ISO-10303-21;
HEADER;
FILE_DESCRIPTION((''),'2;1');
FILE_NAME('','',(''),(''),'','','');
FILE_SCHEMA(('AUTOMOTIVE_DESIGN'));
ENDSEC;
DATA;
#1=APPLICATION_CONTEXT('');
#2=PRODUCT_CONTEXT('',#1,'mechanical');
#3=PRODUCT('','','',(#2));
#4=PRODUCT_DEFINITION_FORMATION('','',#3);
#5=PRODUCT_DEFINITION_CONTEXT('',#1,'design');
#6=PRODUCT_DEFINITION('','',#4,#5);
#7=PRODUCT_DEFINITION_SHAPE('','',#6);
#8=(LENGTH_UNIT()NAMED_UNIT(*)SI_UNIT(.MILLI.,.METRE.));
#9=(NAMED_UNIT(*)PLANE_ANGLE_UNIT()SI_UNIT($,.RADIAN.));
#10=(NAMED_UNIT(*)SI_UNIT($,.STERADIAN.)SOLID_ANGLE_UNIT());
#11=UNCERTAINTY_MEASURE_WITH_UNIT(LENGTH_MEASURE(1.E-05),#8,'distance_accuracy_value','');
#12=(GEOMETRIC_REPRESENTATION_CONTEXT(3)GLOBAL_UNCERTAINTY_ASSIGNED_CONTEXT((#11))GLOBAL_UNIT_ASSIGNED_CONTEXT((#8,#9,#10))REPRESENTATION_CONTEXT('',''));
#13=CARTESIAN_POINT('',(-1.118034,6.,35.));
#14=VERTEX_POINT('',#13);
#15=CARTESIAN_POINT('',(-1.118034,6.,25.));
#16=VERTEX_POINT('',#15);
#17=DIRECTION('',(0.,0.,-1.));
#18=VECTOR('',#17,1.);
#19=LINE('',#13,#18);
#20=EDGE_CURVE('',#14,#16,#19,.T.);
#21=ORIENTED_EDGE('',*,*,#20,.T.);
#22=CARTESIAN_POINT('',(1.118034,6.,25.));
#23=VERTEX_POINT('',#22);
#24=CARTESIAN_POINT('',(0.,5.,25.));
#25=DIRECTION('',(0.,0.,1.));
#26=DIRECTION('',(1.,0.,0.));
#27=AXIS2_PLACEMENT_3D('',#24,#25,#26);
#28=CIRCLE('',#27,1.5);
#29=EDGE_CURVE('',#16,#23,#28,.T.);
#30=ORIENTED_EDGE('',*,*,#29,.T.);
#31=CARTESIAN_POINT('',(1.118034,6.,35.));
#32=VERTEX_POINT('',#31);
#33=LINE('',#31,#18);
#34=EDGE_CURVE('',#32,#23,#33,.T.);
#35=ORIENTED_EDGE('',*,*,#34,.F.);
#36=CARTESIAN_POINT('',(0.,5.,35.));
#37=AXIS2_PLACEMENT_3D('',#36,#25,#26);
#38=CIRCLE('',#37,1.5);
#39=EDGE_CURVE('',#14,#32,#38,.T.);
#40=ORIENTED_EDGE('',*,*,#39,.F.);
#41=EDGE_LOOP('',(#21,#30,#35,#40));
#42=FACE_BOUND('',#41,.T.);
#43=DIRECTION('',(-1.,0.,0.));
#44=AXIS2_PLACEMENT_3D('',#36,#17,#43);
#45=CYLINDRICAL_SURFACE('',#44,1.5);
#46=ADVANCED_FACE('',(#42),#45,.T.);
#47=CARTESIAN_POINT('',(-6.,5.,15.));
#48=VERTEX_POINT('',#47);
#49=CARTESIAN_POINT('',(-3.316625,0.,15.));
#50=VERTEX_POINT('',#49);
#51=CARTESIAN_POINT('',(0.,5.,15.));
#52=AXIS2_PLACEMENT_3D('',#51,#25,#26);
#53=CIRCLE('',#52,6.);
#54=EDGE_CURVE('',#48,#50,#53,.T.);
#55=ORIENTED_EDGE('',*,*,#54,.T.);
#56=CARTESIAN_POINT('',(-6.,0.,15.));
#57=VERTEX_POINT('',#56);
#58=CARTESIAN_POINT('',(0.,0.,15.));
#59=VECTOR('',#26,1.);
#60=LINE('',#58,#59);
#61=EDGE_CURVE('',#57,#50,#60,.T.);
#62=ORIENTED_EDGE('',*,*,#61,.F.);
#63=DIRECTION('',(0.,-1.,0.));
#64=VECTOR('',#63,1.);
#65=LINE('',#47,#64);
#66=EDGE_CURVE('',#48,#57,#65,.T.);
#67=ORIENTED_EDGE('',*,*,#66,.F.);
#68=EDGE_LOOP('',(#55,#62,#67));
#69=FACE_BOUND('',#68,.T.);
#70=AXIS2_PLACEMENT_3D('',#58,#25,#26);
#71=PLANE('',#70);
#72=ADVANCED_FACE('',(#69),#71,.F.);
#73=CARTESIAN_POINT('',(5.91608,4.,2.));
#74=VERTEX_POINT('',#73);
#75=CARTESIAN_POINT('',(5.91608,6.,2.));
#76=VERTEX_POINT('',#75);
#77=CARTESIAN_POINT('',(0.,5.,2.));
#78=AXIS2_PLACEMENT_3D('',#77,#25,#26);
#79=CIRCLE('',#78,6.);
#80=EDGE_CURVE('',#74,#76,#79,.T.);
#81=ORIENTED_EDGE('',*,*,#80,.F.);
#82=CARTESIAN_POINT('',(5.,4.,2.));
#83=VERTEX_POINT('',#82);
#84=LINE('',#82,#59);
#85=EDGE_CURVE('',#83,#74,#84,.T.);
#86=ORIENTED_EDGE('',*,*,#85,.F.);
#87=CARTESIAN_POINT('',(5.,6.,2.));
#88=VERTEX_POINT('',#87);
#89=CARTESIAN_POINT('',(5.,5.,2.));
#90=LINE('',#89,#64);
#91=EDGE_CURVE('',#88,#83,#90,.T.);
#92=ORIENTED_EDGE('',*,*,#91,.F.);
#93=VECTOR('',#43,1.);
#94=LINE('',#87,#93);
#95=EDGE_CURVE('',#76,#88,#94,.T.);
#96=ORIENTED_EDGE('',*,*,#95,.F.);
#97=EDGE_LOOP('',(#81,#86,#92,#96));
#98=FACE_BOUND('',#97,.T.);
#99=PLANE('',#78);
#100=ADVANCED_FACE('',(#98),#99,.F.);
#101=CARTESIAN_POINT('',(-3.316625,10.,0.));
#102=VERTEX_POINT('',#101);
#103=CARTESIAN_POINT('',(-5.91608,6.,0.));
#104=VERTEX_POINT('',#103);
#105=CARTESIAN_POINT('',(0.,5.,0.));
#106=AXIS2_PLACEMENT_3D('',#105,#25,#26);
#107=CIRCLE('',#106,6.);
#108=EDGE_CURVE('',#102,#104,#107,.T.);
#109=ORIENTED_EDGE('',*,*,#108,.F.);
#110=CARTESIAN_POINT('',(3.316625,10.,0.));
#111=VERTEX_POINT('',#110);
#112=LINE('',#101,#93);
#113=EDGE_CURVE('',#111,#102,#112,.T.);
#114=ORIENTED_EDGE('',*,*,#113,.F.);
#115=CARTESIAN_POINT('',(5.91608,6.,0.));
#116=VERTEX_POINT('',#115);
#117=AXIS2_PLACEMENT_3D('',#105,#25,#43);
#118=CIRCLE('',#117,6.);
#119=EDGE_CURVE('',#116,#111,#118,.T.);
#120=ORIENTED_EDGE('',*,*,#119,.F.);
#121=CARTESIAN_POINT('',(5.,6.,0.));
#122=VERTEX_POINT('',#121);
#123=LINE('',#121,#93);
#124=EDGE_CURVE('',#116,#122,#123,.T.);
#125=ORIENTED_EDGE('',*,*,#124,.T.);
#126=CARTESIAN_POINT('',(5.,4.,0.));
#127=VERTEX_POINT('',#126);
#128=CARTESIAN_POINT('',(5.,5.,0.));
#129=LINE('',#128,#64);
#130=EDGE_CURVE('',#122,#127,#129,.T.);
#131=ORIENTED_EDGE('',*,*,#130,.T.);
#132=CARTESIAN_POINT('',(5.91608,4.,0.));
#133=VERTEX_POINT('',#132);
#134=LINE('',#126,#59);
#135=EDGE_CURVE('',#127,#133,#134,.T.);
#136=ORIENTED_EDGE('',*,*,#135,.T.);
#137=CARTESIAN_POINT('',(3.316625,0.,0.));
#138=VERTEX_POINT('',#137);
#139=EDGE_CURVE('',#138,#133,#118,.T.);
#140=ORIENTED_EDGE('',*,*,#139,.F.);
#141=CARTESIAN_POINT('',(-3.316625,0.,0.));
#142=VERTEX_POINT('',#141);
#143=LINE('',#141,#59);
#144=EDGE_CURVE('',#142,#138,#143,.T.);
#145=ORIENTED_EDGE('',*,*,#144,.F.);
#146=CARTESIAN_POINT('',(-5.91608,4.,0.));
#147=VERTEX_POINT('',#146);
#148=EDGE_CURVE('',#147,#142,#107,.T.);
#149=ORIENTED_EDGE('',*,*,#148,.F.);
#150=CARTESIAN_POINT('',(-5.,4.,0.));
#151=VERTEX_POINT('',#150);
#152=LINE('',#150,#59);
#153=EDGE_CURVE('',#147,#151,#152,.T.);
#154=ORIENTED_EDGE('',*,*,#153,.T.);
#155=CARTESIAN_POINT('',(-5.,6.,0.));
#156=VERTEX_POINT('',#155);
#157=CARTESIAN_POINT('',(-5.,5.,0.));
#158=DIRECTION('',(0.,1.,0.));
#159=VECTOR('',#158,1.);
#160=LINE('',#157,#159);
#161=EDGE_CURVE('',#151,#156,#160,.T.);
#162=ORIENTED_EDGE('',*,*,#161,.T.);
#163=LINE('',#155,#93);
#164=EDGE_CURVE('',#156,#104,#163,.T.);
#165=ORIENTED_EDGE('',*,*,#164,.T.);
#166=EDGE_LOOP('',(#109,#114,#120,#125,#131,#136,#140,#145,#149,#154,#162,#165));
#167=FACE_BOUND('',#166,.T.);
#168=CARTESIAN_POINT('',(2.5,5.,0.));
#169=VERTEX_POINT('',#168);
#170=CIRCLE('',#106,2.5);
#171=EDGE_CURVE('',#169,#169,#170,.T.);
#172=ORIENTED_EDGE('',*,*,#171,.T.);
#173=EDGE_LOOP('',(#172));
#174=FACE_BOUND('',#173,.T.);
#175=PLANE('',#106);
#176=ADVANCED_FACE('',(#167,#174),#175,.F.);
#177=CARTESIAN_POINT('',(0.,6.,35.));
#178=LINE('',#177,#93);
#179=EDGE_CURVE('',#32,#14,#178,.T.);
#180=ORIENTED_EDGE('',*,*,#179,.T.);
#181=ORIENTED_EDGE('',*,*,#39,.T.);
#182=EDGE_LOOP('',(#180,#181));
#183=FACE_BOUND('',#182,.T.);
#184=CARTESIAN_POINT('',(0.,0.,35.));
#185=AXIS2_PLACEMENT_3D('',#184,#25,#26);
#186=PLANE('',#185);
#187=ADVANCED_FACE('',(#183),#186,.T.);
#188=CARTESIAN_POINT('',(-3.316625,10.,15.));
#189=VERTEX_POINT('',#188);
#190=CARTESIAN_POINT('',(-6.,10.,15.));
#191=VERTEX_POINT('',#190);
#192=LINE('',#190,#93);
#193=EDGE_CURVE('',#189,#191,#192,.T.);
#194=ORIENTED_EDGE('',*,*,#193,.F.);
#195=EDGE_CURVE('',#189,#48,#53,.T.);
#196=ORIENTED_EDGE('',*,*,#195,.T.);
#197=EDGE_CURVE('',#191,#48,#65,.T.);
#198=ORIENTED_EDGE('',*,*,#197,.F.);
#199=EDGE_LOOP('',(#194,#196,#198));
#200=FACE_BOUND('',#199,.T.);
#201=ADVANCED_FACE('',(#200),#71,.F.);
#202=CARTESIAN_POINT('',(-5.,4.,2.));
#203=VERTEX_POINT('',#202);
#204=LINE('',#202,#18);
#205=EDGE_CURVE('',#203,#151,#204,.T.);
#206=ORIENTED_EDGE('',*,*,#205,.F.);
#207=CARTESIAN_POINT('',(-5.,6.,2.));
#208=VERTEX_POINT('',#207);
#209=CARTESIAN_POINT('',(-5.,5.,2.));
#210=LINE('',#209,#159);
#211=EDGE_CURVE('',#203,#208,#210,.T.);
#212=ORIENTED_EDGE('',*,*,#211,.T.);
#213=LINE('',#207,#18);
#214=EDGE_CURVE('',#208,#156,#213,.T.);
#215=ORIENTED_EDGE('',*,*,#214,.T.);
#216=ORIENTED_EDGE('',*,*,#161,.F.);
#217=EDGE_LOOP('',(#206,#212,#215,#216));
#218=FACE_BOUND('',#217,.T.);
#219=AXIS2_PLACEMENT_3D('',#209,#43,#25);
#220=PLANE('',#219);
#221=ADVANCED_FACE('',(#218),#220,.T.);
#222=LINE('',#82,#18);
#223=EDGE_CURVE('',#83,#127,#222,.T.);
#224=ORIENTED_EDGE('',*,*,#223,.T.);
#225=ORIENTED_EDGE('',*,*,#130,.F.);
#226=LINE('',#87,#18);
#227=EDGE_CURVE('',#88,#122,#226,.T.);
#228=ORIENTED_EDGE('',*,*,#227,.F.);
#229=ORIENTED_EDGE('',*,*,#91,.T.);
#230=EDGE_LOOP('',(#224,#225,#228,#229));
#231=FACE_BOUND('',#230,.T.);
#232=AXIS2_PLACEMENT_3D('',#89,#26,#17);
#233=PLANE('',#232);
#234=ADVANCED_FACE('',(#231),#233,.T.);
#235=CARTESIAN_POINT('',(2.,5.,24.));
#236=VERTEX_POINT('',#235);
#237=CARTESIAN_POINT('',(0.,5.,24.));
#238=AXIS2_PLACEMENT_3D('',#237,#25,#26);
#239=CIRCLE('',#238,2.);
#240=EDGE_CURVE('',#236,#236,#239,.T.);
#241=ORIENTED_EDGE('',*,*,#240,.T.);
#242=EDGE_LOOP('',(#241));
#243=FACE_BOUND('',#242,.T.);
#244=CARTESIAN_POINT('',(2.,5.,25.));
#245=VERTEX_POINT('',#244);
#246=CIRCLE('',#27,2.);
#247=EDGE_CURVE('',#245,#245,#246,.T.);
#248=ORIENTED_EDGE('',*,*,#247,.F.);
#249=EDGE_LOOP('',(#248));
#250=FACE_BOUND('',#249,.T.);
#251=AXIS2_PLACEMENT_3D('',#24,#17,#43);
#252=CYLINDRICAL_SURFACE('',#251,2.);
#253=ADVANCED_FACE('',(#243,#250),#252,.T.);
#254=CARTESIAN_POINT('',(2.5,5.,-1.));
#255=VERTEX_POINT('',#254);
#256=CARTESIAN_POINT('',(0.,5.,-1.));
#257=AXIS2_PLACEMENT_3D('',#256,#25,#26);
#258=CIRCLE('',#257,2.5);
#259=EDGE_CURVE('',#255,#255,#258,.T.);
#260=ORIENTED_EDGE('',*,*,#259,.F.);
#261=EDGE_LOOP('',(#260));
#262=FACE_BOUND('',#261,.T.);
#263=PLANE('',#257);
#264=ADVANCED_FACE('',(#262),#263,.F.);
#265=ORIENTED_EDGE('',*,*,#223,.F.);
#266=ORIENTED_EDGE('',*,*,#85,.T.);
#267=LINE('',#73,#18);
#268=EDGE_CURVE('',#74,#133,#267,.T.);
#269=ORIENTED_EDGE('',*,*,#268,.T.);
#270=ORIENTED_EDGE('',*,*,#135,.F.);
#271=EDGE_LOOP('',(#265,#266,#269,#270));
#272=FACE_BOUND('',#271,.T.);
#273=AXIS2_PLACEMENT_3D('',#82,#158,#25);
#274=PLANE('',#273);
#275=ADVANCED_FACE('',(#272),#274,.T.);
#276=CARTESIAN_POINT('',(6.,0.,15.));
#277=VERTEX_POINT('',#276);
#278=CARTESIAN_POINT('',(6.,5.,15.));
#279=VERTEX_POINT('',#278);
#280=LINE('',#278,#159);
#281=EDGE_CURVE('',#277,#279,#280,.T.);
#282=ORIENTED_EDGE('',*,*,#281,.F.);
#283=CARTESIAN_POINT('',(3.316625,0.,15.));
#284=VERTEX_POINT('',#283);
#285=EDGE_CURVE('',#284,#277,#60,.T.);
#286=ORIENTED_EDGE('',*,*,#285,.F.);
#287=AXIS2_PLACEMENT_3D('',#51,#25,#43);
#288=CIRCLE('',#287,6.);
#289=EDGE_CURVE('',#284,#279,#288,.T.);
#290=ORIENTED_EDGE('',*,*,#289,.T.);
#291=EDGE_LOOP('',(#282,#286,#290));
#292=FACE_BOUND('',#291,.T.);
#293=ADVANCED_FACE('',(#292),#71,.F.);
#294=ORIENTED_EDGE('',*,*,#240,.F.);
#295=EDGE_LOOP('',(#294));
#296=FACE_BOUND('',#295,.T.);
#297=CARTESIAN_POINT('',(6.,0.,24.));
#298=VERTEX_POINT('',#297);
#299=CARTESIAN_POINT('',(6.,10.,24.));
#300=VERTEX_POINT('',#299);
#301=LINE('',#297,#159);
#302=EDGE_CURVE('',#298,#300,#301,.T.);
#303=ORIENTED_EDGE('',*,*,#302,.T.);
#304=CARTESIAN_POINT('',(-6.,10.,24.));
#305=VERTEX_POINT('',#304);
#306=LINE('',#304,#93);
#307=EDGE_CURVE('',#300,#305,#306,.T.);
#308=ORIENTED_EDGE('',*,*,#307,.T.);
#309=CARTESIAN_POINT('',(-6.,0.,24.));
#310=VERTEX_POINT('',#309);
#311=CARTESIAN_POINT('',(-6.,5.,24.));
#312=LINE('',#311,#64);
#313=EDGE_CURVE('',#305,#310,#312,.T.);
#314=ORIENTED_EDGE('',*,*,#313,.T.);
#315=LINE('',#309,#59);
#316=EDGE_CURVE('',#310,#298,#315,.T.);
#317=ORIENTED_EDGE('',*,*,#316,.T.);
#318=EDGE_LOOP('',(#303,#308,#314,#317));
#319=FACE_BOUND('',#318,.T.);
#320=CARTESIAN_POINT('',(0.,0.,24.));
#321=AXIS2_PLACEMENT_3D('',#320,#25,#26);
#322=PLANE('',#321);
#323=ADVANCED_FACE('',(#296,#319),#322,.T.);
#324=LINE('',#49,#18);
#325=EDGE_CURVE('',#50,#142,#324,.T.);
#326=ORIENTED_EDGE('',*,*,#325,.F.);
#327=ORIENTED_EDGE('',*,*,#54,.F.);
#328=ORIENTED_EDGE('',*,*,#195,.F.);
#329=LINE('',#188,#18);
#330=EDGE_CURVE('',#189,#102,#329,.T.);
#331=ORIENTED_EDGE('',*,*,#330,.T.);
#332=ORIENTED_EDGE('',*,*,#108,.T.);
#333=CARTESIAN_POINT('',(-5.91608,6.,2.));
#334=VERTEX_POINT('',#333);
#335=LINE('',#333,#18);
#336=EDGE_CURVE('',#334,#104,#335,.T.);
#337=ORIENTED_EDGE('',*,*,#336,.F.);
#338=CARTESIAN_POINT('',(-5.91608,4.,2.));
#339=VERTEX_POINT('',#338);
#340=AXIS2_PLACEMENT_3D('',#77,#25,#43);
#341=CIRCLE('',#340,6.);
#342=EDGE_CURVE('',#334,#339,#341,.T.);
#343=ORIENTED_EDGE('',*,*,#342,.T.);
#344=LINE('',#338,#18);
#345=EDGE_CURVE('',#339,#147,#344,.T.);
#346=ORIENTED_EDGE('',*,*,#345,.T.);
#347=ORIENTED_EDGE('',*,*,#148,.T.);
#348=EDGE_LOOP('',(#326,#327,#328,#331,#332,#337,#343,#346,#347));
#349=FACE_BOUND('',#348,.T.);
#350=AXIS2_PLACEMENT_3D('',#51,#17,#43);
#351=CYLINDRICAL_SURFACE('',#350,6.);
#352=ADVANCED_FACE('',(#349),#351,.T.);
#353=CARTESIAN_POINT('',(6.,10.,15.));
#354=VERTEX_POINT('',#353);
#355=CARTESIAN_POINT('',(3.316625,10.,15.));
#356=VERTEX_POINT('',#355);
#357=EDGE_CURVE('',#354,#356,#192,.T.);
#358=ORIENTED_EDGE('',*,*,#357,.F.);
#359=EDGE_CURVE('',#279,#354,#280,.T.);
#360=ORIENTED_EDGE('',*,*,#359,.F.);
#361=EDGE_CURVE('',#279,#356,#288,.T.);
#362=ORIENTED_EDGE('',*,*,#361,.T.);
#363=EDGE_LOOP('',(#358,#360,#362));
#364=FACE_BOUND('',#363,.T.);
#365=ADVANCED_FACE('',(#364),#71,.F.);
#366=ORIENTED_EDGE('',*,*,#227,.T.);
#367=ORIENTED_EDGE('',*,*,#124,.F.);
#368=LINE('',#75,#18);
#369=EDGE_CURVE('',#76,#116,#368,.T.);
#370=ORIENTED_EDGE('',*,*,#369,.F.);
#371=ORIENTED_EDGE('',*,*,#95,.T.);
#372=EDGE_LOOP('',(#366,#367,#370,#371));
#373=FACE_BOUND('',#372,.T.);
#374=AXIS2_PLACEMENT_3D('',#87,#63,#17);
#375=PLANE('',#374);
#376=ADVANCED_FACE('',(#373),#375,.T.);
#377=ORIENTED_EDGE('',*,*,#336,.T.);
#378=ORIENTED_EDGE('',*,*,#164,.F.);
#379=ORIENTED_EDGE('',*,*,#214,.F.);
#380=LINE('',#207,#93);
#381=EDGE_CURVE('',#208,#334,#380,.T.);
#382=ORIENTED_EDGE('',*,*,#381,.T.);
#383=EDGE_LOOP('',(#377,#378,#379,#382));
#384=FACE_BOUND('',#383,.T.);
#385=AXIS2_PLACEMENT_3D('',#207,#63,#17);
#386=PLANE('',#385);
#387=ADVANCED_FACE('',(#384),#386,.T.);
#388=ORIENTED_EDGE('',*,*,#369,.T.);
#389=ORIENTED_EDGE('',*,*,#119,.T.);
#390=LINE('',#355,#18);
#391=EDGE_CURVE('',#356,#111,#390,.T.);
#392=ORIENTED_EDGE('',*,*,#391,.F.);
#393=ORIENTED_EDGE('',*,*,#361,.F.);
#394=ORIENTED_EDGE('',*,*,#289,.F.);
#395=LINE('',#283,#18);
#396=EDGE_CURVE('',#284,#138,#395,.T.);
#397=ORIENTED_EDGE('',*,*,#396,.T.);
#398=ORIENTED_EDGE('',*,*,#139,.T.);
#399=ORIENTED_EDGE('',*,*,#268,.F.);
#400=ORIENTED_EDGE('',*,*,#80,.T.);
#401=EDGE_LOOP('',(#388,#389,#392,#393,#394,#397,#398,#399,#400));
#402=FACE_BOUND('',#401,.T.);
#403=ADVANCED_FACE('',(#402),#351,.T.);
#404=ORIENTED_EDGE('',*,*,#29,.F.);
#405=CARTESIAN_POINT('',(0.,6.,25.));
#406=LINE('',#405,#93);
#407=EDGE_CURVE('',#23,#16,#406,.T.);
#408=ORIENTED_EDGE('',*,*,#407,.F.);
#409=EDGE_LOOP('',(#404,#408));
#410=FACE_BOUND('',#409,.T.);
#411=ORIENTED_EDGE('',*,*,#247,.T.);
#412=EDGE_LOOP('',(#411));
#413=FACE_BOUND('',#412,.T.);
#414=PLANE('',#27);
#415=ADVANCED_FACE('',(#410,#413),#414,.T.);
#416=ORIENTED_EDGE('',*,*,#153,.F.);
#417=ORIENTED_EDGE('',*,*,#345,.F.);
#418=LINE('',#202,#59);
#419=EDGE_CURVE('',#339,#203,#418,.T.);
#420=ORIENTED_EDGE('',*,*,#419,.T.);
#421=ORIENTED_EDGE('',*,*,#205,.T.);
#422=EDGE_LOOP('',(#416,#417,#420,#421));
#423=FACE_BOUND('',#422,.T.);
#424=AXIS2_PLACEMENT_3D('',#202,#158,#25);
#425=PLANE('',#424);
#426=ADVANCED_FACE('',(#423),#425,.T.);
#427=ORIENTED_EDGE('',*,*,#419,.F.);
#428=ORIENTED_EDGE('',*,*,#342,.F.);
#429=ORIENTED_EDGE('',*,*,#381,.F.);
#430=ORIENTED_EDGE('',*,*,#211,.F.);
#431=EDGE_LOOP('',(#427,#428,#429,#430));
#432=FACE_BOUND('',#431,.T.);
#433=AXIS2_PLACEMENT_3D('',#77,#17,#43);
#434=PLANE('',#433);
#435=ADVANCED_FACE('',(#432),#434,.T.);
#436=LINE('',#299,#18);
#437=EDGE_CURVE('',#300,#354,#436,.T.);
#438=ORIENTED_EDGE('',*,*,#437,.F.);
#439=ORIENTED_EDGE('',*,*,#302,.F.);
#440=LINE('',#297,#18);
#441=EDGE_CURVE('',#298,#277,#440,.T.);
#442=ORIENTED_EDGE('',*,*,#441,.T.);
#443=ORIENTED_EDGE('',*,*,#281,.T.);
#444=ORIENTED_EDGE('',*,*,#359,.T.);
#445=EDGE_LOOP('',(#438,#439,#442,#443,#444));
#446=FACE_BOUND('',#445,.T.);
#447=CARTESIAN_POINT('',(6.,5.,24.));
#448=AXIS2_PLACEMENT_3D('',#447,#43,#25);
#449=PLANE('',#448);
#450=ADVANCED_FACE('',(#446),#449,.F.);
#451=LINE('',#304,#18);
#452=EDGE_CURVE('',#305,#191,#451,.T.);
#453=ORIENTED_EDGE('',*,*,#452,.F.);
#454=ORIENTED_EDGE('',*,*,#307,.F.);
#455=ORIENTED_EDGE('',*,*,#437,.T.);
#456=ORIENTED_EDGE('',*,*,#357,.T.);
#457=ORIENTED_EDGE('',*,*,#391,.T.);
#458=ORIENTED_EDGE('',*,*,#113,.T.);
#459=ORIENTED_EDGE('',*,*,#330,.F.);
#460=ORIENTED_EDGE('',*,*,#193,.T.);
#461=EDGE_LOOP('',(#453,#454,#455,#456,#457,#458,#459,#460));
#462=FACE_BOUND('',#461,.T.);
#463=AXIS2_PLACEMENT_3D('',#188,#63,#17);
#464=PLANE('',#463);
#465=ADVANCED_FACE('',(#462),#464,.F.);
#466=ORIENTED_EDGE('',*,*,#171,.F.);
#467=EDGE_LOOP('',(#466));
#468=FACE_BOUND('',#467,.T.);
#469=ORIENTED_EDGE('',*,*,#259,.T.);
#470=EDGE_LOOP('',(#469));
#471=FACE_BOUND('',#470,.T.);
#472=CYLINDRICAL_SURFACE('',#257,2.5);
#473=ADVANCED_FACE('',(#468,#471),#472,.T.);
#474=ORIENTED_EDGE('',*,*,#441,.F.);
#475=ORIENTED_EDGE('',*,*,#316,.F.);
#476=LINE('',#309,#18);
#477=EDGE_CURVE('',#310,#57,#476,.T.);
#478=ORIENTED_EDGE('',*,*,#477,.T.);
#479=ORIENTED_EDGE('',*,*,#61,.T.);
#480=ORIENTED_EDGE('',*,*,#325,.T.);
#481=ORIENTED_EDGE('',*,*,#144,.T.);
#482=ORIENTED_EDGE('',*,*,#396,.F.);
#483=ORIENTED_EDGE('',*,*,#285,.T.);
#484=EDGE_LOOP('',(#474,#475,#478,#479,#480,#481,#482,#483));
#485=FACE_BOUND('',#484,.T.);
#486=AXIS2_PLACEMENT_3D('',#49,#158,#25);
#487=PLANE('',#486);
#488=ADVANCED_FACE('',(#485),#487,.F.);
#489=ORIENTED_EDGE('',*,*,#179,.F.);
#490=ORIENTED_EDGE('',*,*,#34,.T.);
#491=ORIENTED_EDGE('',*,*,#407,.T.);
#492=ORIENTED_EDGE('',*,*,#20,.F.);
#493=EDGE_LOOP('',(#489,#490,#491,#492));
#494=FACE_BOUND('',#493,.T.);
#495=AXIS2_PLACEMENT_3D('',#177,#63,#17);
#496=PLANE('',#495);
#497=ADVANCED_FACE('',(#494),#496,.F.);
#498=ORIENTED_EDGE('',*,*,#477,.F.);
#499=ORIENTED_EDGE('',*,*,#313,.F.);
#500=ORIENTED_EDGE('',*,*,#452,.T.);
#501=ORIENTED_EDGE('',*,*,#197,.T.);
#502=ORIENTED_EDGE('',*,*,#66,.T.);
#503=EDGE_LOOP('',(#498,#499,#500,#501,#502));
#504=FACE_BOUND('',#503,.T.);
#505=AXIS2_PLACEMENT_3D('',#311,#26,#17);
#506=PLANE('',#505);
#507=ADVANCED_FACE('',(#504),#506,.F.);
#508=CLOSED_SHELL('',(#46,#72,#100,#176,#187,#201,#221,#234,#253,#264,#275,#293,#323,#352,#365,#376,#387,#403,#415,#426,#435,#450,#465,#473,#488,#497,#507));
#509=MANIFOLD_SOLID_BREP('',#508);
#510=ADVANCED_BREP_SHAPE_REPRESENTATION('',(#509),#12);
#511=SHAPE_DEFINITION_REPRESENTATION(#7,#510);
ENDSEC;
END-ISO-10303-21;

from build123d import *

# Parameters (mm, degrees)
EXTRUDE_1_DEPTH     = 15
SKETCH_3_R          = 2.5
EXTRUDE_2_DEPTH     = 1
CUT_EXTRUDE_1_DEPTH = 2
EXTRUDE_3_DEPTH     = 9
SKETCH_7_R          = 2
EXTRUDE_4_DEPTH     = 1
EXTRUDE_5_DEPTH     = 10


with BuildPart() as part:
    # 草图1 → 凸台-拉伸1 (new body)
    with BuildSketch(Plane.XY):
        with BuildLine():
            Line((-3.31662479, 0), (3.31662479, 0))
            ThreePointArc((3.31662479, 0), (6, 5), (3.31662479, 10))
            Line((3.31662479, 10), (-3.31662479, 10))
            ThreePointArc((-3.31662479, 10), (-6, 5), (-3.31662479, 0))
        make_face()
    extrude(amount=EXTRUDE_1_DEPTH)

    # 草图3 → 凸台-拉伸2 (add)
    with BuildSketch(Plane.XY):
        with Locations((0, 5)):
            Circle(SKETCH_3_R)
    extrude(amount=-EXTRUDE_2_DEPTH)

    # 草图4 → 切除-拉伸1 (cut)
    with BuildSketch(Plane.XY):
        with BuildLine():
            Line((5, 6), (5.916079783, 6))
            ThreePointArc((5.916079783, 6), (6, 5), (5.916079783, 4))
            Line((5.916079783, 4), (5, 4))
            Line((5, 4), (5, 5))
            Line((5, 5), (5, 6))
        make_face()
        with BuildLine():
            Line((-5, 4), (-5.916079783, 4))
            ThreePointArc((-5.916079783, 4), (-6, 5), (-5.916079783, 6))
            Line((-5.916079783, 6), (-5, 6))
            Line((-5, 6), (-5, 5))
            Line((-5, 5), (-5, 4))
        make_face()
    extrude(amount=CUT_EXTRUDE_1_DEPTH, mode=Mode.SUBTRACT)

    # 草图6 → 凸台-拉伸3 (add)
    with BuildSketch(Plane.XY.offset(15)):
        Polygon((0, 0), (6, 0), (6, 5), (6, 10), (-6, 10), (-6, 5), (-6, 0), align=None)
    extrude(amount=EXTRUDE_3_DEPTH)

    # 草图7 → 凸台-拉伸4 (add)
    with BuildSketch(Plane.XY.offset(24)):
        with Locations((0, 5)):
            Circle(SKETCH_7_R)
    extrude(amount=EXTRUDE_4_DEPTH)

    # 草图8 → 凸台-拉伸5 (add)
    with BuildSketch(Plane.XY.offset(25)):
        with BuildLine():
            Line((1.118033989, 6), (0, 6))
            Line((0, 6), (-1.118033989, 6))
            ThreePointArc((-1.118033989, 6), (-0.535233135, 3.598741462), (1.5, 5))
            ThreePointArc((1.5, 5), (1.401258538, 5.535233135), (1.118033989, 6))
        make_face()
    extrude(amount=EXTRUDE_5_DEPTH)


solid = part.part
